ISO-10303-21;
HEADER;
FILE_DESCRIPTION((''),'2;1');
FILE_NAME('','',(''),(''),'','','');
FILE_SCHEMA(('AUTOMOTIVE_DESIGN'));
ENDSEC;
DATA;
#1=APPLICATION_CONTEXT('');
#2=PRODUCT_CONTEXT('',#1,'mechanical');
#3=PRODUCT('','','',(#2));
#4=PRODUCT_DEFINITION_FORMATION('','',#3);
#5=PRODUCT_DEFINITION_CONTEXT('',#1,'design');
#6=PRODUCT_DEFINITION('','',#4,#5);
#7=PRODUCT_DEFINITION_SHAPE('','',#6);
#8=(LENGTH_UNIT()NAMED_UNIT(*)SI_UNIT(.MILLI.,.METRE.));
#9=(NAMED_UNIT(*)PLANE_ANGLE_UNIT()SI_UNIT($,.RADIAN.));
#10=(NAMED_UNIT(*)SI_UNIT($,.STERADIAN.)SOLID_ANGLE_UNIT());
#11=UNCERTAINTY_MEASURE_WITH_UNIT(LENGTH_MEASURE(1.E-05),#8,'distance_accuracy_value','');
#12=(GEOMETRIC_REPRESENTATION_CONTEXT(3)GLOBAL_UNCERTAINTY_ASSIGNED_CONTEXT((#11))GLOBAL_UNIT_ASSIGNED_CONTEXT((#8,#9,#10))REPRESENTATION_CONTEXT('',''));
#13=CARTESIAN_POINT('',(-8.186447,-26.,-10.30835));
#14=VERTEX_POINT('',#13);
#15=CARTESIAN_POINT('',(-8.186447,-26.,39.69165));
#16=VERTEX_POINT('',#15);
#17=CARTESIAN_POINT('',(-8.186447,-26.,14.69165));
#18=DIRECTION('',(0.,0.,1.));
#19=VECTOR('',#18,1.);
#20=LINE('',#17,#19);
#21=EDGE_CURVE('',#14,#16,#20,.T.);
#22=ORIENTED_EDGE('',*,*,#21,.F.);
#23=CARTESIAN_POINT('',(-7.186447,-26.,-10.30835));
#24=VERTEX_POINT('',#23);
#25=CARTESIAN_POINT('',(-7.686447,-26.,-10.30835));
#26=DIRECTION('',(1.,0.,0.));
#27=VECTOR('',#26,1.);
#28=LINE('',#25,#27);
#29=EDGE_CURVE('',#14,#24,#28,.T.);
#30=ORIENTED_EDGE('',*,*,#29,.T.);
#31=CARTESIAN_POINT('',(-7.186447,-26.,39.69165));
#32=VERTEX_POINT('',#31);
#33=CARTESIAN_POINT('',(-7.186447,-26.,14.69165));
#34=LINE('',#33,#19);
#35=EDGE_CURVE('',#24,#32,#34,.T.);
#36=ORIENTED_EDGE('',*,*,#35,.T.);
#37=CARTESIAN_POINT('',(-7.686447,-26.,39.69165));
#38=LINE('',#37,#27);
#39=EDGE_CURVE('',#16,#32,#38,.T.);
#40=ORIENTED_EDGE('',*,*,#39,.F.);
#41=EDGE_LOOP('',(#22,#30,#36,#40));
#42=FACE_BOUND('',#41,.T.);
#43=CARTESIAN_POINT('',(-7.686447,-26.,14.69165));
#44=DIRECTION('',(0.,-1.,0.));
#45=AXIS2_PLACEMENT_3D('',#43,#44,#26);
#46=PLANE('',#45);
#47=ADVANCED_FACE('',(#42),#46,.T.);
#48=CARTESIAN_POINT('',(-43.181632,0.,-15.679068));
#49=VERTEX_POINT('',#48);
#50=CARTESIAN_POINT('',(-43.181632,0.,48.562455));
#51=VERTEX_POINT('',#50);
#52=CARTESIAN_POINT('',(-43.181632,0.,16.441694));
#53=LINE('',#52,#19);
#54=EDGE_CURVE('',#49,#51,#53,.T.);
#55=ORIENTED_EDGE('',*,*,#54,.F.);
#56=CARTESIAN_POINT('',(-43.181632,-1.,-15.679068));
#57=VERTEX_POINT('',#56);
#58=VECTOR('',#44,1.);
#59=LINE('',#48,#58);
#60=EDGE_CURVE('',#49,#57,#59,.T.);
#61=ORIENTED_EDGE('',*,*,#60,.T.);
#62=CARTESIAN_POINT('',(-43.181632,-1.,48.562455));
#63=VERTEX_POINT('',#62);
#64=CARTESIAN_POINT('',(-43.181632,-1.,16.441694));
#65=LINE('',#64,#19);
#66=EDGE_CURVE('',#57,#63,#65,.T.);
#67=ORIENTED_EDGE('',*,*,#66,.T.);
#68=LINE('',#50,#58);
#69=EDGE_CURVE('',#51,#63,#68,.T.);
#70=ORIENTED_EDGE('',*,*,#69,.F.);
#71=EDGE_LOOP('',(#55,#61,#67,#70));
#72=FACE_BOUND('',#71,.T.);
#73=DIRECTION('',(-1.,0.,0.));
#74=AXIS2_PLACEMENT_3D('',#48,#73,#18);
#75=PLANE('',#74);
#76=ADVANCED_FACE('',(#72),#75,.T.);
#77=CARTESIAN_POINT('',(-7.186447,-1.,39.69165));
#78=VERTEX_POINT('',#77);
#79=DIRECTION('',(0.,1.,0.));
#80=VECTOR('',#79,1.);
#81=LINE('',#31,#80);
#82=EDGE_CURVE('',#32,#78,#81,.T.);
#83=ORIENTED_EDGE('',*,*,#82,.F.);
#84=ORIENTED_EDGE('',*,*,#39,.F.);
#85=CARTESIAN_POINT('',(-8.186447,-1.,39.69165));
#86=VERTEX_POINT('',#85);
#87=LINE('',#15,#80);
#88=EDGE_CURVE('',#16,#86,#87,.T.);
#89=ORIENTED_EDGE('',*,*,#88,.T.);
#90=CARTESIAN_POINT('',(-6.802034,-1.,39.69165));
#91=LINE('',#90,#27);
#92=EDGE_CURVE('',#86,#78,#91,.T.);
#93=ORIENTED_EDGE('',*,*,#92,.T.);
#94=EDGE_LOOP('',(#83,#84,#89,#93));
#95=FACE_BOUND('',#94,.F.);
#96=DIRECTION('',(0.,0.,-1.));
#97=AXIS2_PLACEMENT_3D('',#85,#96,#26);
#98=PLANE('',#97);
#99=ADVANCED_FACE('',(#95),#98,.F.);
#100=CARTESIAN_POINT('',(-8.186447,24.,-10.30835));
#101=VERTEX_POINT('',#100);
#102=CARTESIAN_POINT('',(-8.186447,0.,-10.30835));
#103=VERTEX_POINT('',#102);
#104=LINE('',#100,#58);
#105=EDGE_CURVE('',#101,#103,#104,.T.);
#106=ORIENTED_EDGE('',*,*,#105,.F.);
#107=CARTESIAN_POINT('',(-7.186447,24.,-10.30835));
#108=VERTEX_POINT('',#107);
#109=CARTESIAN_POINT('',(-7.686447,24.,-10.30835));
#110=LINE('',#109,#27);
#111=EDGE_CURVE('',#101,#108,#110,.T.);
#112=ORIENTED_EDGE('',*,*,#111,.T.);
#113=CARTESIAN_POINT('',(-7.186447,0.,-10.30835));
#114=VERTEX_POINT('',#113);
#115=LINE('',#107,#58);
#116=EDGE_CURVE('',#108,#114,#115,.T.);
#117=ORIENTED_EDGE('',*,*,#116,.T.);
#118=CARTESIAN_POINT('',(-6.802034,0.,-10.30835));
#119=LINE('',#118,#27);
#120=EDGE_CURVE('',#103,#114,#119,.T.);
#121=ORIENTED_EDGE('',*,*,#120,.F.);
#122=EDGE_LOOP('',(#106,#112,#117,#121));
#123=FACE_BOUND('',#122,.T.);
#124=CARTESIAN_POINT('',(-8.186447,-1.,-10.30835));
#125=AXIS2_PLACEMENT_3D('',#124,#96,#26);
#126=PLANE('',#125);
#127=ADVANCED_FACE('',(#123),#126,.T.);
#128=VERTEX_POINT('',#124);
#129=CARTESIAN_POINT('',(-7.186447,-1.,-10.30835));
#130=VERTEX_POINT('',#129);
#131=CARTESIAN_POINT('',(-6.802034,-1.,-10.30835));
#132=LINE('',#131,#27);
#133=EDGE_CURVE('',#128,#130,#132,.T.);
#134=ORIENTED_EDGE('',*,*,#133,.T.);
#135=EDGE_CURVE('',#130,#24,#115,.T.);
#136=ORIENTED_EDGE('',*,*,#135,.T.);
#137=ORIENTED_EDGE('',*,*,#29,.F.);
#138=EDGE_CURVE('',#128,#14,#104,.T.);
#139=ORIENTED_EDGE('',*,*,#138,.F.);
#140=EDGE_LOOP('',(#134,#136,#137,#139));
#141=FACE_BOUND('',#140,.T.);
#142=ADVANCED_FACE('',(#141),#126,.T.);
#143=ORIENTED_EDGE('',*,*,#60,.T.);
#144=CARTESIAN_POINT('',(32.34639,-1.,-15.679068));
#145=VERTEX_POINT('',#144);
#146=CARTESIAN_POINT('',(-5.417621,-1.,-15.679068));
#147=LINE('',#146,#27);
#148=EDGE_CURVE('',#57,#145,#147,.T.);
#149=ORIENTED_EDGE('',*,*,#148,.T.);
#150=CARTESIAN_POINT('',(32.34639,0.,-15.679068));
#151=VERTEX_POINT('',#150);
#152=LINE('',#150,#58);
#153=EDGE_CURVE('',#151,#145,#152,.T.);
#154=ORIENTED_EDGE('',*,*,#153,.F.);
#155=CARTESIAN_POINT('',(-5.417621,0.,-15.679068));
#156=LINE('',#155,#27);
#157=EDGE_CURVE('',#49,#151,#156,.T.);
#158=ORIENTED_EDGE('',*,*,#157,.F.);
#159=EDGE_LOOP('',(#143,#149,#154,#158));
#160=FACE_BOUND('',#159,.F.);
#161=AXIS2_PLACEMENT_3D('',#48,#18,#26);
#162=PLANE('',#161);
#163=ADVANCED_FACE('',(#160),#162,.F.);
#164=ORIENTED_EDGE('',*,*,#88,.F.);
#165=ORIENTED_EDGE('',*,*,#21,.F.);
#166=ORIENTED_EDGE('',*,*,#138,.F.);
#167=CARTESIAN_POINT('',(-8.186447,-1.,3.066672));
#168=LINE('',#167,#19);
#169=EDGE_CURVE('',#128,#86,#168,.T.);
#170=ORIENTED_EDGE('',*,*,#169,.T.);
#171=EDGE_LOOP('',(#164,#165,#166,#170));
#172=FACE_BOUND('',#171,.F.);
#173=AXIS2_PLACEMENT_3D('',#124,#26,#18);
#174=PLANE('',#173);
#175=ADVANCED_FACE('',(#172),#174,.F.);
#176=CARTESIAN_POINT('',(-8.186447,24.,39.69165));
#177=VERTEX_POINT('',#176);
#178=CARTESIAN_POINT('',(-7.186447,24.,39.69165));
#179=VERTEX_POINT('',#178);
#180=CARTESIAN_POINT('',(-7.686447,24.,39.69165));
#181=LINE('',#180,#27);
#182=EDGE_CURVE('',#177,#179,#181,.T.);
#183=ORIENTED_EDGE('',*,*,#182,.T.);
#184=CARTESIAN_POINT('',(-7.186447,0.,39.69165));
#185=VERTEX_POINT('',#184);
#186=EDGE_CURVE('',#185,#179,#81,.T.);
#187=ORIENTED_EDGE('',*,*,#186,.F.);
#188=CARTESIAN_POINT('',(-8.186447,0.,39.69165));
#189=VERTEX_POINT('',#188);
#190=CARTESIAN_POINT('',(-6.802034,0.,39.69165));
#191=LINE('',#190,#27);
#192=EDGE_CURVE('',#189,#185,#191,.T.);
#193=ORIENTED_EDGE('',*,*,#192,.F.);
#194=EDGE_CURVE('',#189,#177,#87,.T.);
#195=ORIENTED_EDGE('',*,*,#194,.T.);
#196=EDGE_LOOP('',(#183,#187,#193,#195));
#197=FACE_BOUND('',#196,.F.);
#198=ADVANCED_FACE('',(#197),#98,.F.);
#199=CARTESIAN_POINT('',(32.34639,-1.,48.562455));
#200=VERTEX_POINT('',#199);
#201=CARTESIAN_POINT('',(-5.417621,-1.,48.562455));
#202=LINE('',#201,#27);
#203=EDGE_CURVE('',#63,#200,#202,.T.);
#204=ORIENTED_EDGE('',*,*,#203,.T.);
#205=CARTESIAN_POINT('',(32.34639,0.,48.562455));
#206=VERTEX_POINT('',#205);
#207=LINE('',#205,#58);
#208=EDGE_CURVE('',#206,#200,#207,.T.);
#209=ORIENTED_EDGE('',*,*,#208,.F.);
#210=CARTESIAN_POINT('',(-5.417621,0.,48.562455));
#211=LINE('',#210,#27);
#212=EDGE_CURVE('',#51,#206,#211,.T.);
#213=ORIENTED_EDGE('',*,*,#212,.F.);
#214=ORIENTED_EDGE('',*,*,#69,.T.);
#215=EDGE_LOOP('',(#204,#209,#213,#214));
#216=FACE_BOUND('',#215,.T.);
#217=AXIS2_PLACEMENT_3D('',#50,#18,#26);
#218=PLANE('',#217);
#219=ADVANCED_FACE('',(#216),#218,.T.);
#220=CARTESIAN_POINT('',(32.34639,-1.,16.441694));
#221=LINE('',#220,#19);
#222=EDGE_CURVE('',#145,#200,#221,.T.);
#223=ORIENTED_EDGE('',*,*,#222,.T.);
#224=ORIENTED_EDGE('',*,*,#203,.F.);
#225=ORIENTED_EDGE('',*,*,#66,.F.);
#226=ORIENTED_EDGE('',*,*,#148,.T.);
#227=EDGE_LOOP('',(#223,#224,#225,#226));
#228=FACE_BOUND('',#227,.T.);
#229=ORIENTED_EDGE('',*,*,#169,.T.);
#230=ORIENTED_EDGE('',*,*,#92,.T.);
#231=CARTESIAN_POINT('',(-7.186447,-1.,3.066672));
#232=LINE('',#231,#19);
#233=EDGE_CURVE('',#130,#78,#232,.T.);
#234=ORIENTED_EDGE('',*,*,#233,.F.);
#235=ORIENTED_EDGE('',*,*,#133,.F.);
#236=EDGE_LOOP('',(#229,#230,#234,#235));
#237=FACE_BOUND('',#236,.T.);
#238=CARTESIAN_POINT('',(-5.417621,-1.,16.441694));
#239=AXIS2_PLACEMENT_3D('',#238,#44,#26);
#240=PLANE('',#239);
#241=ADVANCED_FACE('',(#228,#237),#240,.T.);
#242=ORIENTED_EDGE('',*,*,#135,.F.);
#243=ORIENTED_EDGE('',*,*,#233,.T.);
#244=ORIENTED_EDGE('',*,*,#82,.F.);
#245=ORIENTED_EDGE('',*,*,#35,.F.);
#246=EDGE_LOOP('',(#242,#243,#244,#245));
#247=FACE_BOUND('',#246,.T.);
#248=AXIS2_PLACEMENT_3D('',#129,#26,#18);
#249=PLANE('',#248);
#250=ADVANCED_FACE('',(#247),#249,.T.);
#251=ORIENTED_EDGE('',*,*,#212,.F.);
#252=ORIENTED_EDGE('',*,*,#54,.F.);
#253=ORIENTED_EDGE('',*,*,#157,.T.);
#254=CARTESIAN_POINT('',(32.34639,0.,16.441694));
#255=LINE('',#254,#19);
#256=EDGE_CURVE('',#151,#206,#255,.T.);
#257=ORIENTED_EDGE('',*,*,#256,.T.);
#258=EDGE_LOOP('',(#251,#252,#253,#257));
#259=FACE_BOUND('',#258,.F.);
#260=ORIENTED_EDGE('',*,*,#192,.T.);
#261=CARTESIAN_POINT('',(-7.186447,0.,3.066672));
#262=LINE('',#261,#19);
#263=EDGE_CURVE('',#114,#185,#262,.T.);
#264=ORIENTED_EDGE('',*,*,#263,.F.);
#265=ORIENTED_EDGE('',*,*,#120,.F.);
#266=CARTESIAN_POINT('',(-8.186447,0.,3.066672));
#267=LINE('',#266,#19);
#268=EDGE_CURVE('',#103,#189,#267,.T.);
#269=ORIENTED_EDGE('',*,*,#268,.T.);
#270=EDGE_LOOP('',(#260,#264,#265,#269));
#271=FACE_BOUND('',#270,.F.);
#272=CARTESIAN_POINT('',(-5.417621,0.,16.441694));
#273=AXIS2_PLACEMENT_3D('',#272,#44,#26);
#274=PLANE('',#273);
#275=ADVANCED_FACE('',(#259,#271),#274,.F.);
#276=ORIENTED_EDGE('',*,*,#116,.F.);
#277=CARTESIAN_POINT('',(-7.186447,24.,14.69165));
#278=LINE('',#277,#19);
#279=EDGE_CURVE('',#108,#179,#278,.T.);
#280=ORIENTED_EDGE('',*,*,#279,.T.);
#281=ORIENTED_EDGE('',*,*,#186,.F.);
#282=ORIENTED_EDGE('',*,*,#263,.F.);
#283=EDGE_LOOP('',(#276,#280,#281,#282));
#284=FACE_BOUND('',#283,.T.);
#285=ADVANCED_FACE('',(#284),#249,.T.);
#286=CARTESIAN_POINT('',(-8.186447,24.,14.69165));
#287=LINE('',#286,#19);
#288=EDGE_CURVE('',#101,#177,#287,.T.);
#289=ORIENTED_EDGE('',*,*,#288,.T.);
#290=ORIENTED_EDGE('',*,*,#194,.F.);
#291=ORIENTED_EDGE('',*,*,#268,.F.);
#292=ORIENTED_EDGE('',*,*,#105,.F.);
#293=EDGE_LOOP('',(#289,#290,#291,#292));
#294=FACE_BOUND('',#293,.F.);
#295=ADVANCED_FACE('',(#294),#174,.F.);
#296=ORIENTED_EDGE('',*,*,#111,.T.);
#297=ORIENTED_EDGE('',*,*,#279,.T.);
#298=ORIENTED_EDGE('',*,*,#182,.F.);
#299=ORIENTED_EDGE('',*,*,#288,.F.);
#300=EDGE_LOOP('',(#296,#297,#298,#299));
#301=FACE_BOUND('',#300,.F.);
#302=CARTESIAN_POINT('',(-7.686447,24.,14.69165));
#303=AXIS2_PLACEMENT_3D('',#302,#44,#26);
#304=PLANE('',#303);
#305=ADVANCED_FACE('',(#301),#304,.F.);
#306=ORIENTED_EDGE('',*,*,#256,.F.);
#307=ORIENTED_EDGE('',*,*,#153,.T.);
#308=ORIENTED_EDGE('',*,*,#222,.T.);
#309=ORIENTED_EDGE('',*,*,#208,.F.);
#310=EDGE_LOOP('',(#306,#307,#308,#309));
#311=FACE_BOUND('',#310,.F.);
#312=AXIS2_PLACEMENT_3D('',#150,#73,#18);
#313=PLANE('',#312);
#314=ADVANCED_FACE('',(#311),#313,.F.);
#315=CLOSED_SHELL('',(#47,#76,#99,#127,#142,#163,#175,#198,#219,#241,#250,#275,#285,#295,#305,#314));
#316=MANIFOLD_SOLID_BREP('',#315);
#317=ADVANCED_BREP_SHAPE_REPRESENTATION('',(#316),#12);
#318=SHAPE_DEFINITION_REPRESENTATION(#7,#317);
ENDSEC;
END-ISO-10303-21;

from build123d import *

# Parameters (mm, degrees)
F0_W     = 75.528022
F0_H     = 64.241523
F1_DEPTH = 1
F2_W     = 1
F2_H     = 50
F3_DEPTH = 25


with BuildPart() as f1:
    # F0 (on Front) → F1 (new body)
    with BuildSketch(Plane.XZ):
        with Locations((-5.417621, 16.441694)):
            Rectangle(F0_W, F0_H)
    extrude(amount=F1_DEPTH)

    # F2 (on face) → F3 (join, symmetric)
    with BuildSketch(Plane.XZ.offset(1)):
        with Locations((-7.686447, 14.69165)):
            Rectangle(F2_W, F2_H)
    extrude(amount=F3_DEPTH, both=True)


solid = f1.part
